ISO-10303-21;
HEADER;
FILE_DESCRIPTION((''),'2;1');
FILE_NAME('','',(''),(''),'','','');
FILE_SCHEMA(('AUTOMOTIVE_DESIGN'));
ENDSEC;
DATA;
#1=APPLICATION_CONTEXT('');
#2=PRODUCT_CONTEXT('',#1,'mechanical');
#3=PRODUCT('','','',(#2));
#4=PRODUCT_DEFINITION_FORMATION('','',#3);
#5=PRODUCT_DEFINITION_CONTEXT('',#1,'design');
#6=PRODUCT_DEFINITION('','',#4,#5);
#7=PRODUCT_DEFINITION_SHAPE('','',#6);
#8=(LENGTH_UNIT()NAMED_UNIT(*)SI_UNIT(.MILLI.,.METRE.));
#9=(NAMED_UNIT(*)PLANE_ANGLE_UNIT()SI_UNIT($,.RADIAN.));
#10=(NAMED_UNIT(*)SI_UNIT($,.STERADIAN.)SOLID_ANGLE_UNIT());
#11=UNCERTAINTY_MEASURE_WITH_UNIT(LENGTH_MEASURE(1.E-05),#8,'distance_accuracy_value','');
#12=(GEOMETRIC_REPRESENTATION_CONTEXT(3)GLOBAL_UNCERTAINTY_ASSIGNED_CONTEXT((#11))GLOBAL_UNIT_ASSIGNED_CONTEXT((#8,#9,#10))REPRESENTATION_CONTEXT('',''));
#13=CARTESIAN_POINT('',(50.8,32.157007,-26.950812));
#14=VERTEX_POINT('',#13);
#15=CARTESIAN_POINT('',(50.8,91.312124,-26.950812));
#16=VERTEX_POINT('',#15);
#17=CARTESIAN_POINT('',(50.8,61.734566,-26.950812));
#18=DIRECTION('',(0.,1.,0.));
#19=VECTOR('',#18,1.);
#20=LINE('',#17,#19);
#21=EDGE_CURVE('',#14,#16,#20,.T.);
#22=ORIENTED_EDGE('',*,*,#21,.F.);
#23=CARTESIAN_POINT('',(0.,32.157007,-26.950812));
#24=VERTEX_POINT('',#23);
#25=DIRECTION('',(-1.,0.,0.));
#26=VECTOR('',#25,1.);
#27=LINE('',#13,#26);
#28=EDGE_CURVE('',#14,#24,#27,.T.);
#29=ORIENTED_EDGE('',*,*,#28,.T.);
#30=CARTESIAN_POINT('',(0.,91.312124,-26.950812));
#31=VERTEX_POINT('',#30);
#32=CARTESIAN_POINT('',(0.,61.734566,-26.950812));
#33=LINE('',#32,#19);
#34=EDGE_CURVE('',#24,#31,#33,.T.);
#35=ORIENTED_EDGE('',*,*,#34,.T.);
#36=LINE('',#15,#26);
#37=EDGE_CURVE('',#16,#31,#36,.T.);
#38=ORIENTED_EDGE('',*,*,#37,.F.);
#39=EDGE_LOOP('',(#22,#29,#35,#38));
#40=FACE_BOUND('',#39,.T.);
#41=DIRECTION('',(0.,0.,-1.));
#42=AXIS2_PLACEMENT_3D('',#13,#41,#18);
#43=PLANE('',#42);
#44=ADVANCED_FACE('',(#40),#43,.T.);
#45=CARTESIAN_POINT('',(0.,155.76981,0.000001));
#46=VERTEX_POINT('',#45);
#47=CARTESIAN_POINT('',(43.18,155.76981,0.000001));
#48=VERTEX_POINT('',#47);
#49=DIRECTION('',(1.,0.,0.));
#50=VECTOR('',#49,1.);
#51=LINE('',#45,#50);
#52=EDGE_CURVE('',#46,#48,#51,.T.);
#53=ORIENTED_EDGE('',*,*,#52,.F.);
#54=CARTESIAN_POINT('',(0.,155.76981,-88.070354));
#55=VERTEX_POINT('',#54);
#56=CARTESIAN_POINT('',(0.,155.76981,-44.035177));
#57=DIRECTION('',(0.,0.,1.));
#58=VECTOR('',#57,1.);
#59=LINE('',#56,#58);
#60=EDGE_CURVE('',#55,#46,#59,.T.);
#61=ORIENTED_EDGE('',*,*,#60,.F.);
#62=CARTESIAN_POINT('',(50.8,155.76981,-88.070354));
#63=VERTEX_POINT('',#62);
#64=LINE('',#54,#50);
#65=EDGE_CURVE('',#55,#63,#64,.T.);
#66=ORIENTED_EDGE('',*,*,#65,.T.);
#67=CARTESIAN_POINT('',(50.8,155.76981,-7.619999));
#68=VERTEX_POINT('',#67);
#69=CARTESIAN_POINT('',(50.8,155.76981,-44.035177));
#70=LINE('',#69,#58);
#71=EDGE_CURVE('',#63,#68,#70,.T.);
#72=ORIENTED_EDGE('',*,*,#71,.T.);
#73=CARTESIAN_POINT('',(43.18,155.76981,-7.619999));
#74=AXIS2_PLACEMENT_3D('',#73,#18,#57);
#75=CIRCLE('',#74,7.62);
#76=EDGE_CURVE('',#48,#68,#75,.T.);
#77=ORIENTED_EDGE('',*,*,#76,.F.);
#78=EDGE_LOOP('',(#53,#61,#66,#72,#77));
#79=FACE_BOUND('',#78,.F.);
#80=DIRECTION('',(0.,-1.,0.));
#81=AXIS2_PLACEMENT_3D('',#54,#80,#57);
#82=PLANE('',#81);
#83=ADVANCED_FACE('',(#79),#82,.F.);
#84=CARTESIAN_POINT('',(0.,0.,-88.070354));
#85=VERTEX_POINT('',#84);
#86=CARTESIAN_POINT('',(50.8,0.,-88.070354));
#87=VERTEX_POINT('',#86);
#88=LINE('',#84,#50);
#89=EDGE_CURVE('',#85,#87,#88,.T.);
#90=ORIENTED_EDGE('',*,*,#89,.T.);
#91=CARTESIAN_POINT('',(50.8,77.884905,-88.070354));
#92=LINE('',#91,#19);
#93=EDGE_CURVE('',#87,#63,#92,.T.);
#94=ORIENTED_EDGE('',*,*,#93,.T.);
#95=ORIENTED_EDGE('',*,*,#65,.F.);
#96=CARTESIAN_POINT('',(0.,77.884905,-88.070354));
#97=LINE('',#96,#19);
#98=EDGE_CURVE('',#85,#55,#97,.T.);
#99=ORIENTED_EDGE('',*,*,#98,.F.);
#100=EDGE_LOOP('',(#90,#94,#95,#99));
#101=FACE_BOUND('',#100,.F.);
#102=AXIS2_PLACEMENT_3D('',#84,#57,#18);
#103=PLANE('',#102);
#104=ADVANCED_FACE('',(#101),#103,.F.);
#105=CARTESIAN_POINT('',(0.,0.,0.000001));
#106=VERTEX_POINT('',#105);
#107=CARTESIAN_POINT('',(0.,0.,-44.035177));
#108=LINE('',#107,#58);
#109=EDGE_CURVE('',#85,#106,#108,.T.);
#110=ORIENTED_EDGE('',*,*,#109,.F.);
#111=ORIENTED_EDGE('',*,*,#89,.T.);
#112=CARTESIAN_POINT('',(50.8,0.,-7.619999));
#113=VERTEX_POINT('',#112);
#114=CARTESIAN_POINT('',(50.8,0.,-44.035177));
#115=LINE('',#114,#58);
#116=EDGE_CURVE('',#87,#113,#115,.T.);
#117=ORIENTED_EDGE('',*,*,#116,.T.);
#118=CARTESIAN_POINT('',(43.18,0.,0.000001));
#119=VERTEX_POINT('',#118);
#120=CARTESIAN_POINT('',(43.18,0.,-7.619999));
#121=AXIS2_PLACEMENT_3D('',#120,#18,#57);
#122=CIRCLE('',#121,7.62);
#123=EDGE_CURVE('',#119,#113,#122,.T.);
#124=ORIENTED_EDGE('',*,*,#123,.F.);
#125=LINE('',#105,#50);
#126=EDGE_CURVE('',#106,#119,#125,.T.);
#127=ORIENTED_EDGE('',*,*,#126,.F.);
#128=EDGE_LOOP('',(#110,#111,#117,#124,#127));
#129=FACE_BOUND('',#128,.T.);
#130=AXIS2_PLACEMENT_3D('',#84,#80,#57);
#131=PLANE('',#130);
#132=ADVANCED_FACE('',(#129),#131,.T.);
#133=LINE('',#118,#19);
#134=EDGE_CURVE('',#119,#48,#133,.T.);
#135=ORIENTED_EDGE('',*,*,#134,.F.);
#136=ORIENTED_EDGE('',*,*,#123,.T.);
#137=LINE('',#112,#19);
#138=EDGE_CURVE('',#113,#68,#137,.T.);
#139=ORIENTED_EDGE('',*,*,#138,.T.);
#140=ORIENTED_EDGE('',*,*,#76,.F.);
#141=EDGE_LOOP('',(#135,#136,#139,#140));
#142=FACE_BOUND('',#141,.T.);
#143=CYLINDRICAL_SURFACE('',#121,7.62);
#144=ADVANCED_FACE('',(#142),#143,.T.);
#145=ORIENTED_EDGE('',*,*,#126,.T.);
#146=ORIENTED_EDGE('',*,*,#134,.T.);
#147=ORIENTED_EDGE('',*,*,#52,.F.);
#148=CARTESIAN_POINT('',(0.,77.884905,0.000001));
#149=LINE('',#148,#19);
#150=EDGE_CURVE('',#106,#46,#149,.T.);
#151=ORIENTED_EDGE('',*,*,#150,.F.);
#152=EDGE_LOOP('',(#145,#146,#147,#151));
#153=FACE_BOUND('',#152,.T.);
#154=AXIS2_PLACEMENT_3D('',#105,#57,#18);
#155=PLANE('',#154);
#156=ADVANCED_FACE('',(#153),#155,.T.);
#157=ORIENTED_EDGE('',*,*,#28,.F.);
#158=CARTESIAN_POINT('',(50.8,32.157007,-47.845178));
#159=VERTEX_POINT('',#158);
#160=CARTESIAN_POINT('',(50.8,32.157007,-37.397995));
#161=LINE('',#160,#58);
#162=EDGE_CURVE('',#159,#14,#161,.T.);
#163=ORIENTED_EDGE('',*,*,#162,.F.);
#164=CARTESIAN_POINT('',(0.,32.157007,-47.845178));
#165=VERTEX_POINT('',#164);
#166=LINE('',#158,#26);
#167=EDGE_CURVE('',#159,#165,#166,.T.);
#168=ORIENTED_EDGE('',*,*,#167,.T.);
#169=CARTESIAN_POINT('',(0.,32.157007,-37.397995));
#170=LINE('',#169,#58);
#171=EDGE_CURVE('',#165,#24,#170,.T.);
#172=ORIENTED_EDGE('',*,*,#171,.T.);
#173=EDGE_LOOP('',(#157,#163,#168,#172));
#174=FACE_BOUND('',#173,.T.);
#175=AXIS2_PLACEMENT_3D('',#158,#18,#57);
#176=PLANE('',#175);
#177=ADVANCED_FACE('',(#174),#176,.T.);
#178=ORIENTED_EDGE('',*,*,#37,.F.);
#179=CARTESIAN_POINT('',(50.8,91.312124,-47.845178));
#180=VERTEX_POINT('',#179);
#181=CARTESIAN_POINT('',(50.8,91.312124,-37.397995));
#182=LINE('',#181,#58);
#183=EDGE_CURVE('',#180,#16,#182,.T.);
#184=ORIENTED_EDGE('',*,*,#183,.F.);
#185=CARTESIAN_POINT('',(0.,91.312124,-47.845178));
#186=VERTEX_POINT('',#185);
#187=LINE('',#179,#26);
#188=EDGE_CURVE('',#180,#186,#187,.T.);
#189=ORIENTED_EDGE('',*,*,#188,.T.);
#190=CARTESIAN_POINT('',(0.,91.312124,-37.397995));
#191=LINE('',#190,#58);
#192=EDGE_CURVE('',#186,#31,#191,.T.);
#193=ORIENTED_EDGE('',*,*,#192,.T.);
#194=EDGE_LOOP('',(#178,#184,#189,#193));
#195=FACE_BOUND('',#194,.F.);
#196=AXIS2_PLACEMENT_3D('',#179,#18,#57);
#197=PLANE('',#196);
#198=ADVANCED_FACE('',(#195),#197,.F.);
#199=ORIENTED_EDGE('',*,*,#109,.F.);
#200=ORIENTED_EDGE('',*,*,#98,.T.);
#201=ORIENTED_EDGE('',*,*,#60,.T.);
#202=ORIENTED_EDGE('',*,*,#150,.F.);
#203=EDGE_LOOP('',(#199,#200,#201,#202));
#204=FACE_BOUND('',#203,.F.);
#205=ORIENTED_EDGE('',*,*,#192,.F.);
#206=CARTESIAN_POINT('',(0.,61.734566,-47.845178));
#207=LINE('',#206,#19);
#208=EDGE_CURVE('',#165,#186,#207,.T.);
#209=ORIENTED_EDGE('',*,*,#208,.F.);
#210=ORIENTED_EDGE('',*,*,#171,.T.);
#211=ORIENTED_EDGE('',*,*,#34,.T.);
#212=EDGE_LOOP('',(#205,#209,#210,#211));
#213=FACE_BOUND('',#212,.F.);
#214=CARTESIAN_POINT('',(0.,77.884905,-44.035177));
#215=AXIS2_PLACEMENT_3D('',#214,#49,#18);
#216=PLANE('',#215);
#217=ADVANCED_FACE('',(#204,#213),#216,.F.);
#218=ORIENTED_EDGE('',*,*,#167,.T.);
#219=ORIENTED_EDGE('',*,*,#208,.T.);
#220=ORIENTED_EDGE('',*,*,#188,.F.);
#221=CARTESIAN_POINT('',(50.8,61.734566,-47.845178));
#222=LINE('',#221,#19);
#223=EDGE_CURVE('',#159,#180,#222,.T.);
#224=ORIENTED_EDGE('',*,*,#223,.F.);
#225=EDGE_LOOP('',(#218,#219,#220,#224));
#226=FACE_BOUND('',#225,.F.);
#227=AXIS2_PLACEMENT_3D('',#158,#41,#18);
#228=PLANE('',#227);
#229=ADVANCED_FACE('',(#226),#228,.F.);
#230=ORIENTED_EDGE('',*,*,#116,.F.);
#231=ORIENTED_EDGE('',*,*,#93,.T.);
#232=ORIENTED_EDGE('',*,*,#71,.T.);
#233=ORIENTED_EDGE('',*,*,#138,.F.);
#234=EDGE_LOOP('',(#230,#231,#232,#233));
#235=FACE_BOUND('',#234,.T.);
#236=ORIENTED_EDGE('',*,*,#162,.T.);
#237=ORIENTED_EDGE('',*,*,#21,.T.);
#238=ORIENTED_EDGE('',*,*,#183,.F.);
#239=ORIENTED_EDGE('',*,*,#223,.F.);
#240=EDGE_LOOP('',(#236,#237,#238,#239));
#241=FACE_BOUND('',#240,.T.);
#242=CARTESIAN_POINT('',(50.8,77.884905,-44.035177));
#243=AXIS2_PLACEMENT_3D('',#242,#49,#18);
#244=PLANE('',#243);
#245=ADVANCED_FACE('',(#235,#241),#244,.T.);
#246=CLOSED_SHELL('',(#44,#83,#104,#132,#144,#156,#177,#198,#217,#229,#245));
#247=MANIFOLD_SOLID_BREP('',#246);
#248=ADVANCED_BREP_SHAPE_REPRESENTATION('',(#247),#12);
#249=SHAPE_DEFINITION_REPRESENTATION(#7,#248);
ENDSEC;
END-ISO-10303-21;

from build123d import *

# Parameters (mm, degrees)
F0_W     = 155.76981
F0_H     = 88.070355
F1_DEPTH = 50.8
F2_R     = 7.62
F3_W     = 59.155117
F3_H     = 20.894366
F4_DEPTH = 50.8


with BuildPart() as f1:
    # F0 (on Right) → F1 (new body)
    with BuildSketch(Plane.YZ):
        with Locations((77.884905, -44.035177)):
            Rectangle(F0_W, F0_H)
    extrude(amount=F1_DEPTH)

    # F2
    f2_edges = [f1.edges().sort_by_distance(p)[0] for p in [
        (50.8, 77.884905, 0),
    ]]
    fillet(f2_edges, radius=F2_R)

    # F3 (on face) → F4 (cut)
    with BuildSketch(Plane.YZ.offset(50.8)):
        with Locations((61.734566, -37.397995)):
            Rectangle(F3_W, F3_H)
    extrude(amount=-F4_DEPTH, mode=Mode.SUBTRACT)


solid = f1.part
